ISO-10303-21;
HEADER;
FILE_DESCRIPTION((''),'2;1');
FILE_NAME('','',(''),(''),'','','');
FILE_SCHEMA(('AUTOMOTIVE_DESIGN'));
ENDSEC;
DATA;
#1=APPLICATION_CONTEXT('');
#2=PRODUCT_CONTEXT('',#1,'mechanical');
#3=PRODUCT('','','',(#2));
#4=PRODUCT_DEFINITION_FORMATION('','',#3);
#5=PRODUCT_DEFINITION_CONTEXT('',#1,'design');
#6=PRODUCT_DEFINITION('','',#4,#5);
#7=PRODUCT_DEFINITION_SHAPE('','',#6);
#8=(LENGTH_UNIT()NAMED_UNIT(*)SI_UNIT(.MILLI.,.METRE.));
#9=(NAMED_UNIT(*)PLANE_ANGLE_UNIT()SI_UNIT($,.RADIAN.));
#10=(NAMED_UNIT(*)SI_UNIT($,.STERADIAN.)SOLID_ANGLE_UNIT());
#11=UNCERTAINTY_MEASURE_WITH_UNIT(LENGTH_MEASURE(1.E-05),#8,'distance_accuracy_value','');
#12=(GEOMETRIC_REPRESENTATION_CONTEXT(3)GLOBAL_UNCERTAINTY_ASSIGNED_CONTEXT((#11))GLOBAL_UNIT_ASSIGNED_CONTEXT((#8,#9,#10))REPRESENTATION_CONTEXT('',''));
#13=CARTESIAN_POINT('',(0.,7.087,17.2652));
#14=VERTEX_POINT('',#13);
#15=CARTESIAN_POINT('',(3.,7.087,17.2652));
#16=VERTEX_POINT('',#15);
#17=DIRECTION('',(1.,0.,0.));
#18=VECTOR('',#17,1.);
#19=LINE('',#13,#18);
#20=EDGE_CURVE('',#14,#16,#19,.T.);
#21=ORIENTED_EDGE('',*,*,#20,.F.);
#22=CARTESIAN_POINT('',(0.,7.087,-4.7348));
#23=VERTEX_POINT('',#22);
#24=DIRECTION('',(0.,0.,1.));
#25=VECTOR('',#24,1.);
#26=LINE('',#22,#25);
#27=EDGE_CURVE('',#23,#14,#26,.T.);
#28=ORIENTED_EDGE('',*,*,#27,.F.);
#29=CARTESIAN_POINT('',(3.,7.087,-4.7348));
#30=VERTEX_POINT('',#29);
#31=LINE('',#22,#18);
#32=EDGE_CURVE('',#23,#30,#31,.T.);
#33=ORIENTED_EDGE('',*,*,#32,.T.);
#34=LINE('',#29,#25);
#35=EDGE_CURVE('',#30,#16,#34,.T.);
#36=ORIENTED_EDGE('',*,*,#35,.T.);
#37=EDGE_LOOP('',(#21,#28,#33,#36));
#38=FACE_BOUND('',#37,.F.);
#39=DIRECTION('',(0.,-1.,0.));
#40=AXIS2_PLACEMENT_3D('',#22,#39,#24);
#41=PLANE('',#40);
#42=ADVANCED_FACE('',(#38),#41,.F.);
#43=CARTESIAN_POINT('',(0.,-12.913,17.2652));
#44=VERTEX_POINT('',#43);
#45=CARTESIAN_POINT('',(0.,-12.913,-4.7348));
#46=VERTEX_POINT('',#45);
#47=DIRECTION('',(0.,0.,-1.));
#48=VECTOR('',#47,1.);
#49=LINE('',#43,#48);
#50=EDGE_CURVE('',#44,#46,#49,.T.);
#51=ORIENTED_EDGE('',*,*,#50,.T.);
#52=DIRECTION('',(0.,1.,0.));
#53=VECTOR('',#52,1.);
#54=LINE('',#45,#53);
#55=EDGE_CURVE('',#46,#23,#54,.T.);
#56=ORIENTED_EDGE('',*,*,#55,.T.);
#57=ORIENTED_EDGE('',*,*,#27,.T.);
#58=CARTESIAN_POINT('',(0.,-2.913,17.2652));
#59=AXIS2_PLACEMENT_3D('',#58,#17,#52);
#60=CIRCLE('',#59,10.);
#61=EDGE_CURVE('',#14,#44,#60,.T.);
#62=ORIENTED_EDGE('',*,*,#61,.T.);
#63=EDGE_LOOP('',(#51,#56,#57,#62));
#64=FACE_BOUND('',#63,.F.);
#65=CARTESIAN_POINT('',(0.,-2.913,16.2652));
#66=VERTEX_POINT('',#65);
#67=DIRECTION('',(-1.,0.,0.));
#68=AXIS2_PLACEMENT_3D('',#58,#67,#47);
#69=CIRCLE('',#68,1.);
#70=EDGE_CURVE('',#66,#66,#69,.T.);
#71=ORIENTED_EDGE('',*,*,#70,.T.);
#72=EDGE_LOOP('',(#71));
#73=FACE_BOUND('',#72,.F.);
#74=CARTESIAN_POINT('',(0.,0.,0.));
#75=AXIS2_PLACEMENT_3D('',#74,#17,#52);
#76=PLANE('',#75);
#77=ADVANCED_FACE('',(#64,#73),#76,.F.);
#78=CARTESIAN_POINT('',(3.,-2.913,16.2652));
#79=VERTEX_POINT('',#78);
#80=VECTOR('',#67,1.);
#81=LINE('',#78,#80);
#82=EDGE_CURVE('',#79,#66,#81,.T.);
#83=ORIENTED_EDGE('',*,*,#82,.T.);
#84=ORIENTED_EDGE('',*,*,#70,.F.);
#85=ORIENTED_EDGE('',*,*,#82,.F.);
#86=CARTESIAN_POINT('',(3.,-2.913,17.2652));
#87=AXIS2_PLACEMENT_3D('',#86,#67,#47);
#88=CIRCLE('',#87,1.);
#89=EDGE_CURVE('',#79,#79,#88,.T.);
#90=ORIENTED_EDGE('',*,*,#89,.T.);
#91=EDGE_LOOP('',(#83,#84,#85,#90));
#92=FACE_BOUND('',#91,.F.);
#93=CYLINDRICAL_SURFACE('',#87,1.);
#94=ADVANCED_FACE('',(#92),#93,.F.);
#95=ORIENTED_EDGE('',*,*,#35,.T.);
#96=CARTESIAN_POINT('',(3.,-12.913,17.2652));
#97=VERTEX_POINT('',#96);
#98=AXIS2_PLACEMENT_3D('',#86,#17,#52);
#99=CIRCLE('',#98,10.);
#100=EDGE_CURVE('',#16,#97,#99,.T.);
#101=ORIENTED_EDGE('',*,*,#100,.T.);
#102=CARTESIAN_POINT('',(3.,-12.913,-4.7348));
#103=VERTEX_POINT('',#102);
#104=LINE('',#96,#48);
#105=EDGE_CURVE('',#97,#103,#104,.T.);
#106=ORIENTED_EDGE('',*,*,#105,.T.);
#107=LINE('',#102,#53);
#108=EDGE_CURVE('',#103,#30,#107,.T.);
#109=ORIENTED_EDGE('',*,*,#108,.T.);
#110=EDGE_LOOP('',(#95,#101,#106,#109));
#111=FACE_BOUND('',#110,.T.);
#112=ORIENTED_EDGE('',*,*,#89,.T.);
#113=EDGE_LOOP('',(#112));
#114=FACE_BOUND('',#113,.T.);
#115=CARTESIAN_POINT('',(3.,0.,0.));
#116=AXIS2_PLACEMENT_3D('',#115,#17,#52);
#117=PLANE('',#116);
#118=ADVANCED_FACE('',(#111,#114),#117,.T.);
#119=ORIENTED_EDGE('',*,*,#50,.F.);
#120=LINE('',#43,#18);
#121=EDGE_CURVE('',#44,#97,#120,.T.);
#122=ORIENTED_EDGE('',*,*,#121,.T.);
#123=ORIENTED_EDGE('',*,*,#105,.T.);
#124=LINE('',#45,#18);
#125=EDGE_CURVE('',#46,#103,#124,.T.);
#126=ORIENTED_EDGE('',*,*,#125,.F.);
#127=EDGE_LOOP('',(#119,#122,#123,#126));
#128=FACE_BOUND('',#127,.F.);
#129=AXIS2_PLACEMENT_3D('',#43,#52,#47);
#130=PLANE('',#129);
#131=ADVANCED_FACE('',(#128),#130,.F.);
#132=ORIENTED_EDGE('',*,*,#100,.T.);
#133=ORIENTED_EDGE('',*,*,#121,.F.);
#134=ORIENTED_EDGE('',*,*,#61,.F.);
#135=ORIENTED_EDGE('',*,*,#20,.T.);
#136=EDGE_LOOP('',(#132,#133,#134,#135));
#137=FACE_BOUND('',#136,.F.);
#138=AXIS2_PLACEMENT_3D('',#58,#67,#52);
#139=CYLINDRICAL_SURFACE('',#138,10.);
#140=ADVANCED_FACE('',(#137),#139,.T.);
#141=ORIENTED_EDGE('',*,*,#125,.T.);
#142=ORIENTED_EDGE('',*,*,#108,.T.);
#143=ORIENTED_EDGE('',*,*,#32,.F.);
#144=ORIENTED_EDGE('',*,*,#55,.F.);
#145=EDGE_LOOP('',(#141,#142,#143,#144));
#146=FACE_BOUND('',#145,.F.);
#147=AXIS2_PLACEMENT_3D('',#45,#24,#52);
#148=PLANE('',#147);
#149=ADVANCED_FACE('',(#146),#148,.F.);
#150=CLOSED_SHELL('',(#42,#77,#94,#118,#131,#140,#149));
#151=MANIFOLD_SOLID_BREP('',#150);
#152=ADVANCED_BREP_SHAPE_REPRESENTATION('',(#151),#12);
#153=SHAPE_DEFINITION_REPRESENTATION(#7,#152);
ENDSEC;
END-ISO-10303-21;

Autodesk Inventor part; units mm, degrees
ref_plane "YZ Plane" through (0, 0, 0) normal (1, 0, 0) x (0, 1, 0)
ref_plane "XZ Plane" through (0, 0, 0) normal (0, 1, 0) x (-1, 0, 0)
ref_plane "XY Plane" through (0, 0, 0) normal (0, 0, 1) x (1, 0, 0)
sketch "スケッチ1" plane through (0, 0, 0) normal (1, 0, 0) x (0, 1, 0)
  line L0 (7.087, 17.2652) -> (-12.913, 17.2652)
  line L1 (-12.913, 17.2652) -> (-12.913, -4.7348)
  line L2 (-12.913, -4.7348) -> (7.087, -4.7348)
  line L3 (7.087, -4.7348) -> (7.087, 17.2652)
  arc A0 (7.087, 17.2652) -> (-12.913, 17.2652) centre (-2.913, 17.2652) ccw
  point P0 (0, 0)
  dimension "d0" = 20
  dimension "d1" = 22
extrude "押し出し1" add sketch "スケッチ1" along normal blind 3
sketch "スケッチ2" plane through (3, 0, 0) normal (1, 0, 0) x (0, 0, -1)
  arc A0 (-17.2652, 7.087) -> (-17.2652, -12.913) centre (-17.2652, -2.913) ccw projected
  circle A1 centre (-17.2652, -2.913) radius 1
  point P0 (0, 0)
  dimension "d4" = 2
hole "穴1" at (3, -2.913, 17.2652) direction (-1, 0, 0) diameter 2 depth 10
equation "\"BendRadius\" = Thickness"
equation "\"BendReliefWidth\" = Thickness"
equation "\"BendReliefDepth\" = 0.5 * Thickness"
equation "\"CornerReliefSize\" = 4 * Thickness"
equation "\"MinimumRemnant\" = 2 * Thickness"
equation "\"TransitionRadius\" = BendRadius"
equation "\"JacobiRadiusSize\" = BendRadius"
equation "\"GapSize\" = Thickness"
equation "\"Thickness\" = 0.5"
